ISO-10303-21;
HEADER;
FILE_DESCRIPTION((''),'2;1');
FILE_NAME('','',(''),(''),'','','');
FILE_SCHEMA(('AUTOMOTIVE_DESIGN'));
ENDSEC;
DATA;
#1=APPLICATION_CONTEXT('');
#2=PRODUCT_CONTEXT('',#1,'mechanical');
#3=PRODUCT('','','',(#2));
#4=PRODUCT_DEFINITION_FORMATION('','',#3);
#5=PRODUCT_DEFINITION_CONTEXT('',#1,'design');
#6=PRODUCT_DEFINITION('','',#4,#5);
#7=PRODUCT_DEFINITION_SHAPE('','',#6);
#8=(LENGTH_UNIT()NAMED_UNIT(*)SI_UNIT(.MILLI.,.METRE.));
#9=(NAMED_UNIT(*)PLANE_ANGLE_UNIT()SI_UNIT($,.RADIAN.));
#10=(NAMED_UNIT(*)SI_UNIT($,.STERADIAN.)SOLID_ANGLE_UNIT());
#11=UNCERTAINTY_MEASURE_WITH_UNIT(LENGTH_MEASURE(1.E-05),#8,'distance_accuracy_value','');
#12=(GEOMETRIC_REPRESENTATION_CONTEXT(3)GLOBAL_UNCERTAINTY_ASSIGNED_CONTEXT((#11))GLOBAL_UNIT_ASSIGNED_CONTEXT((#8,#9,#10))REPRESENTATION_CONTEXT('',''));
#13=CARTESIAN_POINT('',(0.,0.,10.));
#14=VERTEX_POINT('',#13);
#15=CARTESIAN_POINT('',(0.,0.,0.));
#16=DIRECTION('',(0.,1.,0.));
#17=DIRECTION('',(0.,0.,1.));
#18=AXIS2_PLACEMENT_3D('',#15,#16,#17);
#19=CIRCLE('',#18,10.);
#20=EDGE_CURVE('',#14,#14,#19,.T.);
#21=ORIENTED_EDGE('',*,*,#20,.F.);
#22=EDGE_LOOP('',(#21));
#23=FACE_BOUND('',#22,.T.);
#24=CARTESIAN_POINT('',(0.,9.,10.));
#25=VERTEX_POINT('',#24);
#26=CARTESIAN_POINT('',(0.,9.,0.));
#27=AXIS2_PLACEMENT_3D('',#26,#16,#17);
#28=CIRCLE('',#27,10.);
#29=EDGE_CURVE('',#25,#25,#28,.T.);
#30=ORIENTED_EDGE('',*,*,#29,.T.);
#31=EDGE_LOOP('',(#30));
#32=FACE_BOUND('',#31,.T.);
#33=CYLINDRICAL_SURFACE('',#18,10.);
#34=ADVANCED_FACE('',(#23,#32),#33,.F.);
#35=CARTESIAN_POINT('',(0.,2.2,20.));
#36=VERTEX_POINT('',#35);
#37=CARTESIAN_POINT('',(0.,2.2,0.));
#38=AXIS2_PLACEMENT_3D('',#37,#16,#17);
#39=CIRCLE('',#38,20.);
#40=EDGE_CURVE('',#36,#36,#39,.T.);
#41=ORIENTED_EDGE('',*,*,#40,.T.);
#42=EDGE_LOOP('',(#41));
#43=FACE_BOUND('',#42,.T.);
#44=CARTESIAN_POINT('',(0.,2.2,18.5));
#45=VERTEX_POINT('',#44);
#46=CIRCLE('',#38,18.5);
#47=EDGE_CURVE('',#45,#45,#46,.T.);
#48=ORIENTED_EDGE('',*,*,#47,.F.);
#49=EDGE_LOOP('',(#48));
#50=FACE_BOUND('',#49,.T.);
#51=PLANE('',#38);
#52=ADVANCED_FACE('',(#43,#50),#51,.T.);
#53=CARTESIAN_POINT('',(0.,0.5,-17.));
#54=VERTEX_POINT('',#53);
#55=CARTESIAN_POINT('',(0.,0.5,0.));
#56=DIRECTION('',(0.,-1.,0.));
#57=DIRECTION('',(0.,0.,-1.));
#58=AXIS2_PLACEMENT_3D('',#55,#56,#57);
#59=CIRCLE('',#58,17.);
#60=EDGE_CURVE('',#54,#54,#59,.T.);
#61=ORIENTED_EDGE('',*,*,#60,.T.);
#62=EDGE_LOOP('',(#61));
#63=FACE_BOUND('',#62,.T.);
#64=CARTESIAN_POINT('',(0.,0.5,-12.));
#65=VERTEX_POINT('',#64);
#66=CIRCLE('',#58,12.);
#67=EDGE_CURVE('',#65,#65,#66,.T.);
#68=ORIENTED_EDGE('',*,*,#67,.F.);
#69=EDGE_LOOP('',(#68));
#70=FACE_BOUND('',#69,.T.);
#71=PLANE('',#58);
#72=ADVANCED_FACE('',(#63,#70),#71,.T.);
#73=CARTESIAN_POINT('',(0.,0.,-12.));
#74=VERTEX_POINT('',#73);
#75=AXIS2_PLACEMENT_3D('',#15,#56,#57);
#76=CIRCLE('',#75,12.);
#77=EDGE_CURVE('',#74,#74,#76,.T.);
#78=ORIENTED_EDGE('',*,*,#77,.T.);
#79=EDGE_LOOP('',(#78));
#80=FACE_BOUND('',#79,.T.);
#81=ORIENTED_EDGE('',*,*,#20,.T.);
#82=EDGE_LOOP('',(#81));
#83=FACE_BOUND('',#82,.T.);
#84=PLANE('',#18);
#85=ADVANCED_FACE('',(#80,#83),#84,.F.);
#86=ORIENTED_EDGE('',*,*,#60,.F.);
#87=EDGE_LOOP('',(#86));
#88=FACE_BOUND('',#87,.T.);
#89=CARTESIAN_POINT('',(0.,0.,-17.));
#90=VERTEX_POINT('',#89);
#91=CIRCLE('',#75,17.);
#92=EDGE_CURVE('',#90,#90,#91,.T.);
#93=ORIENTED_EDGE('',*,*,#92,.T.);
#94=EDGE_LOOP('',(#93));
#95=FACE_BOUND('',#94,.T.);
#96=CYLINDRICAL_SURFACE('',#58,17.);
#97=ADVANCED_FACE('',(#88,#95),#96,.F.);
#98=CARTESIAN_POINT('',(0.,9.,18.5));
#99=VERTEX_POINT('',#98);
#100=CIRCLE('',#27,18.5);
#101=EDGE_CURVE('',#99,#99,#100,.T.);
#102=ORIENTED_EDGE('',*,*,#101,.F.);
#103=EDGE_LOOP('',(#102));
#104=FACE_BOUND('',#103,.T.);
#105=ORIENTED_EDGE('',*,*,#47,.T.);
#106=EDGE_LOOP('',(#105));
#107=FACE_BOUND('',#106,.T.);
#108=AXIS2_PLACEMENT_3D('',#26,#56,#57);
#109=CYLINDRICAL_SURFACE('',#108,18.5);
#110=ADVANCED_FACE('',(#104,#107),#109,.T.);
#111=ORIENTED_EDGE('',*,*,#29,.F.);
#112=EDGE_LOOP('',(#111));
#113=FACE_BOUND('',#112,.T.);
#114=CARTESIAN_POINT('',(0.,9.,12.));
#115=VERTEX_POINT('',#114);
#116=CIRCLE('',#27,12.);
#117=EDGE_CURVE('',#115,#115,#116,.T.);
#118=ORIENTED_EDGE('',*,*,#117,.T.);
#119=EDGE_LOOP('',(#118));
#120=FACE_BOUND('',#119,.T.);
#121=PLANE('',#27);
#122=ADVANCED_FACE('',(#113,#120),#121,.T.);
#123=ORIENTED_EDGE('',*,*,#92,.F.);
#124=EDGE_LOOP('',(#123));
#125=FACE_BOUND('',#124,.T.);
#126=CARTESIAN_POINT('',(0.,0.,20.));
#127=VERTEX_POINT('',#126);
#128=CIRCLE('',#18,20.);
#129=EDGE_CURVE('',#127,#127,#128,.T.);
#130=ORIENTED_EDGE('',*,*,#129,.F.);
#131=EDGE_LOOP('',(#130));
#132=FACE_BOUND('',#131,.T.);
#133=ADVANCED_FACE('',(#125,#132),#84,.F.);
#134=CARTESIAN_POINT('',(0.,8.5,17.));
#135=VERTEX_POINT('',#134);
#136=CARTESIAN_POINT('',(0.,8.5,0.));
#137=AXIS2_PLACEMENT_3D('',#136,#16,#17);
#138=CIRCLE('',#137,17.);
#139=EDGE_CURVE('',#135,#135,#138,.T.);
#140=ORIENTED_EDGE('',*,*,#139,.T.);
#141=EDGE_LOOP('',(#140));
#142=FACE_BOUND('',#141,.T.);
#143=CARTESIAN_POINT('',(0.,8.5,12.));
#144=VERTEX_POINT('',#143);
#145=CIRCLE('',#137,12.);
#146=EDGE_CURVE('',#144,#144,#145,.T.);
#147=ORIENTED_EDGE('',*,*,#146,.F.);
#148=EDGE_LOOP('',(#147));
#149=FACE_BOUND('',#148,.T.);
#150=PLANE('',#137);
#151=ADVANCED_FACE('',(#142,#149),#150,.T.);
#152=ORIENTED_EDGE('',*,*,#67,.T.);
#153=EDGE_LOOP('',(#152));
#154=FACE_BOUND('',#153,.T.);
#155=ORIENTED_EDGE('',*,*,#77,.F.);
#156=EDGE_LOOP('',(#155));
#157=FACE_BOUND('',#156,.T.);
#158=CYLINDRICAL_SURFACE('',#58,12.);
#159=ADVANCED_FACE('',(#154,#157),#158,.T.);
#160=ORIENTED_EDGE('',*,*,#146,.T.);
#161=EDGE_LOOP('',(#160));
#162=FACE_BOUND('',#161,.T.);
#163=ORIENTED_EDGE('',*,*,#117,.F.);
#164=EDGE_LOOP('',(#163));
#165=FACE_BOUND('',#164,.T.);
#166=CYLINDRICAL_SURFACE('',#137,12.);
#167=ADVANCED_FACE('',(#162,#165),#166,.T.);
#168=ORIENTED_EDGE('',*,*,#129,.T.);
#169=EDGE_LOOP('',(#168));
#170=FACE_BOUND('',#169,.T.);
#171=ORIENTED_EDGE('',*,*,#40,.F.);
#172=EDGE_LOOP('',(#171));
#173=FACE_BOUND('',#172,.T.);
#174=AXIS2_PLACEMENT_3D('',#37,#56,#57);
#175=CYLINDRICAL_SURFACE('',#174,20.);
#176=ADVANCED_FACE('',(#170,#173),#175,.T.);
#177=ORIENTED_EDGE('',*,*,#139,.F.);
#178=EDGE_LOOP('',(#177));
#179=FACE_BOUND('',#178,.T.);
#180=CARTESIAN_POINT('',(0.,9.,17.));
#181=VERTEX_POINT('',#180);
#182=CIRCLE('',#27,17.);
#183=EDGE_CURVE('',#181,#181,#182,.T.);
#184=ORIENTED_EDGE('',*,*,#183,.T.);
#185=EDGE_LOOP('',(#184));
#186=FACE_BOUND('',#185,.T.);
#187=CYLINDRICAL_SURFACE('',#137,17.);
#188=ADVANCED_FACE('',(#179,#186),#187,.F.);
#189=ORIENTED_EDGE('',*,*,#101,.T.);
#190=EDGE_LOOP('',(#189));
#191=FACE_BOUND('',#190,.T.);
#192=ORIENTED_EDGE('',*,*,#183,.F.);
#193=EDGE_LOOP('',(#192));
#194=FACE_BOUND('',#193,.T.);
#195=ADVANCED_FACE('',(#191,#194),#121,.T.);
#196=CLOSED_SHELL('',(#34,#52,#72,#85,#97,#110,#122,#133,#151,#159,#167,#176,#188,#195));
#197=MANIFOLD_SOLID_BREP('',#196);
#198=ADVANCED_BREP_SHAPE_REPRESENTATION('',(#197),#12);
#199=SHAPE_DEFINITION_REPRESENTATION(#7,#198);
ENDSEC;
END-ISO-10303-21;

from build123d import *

# Parameters (mm, degrees)
SKETCH_1_R          = 20
EXTRUDE_1_DEPTH     = 2.2
SKETCH_2_R          = 18.5
EXTRUDE_2_DEPTH     = 6.8
SKETCH_3_R          = 10
CUT_EXTRUDE_1_DEPTH = 9
SKETCH_4_R          = 17
SKETCH_4_R_2        = 12
CUT_EXTRUDE_2_DEPTH = 0.5
CUT_EXTRUDE_START   = -0.5
SKETCH_5_R          = 17
SKETCH_5_R_2        = 12
CUT_EXTRUDE_3_DEPTH = 0.5


with BuildPart() as part:
    # 草图1 → 凸台-拉伸1 (new body)
    with BuildSketch(Plane(origin=(0, 0, 0), x_dir=(1, 0, 0), z_dir=(0, 1, 0))):
        with Locations(Location((0, 0, 0), (0, 0, 270))):
            Circle(SKETCH_1_R)
    extrude(amount=EXTRUDE_1_DEPTH)

    # 草图2 → 凸台-拉伸2 (add)
    with BuildSketch(Plane(origin=(0, 2.2, 0), x_dir=(1, 0, 0), z_dir=(0, 1, 0))):
        with Locations(Location((0, 0, 0), (0, 0, 270))):
            Circle(SKETCH_2_R)
    extrude(amount=EXTRUDE_2_DEPTH)

    # 草图3 → 切除-拉伸1 (cut)
    with BuildSketch(Plane(origin=(0, 9, 0), x_dir=(1, 0, 0), z_dir=(0, 1, 0))):
        with Locations(Location((0, 0, 0), (0, 0, 270))):
            Circle(SKETCH_3_R)
    extrude(amount=-CUT_EXTRUDE_1_DEPTH, mode=Mode.SUBTRACT)

    # 草图4 → 切除-拉伸2 (cut)
    with BuildSketch(Plane.XZ):
        with Locations(Location((0, 0, 0), (0, 0, 270))):
            Circle(SKETCH_4_R)
        with Locations(Location((0, 0, 0), (0, 0, 270))):
            Circle(SKETCH_4_R_2, mode=Mode.SUBTRACT)
    extrude(amount=-CUT_EXTRUDE_2_DEPTH, mode=Mode.SUBTRACT)

    # 草图5 → 切除-拉伸3 (cut)
    with BuildSketch(Plane(origin=(0, 9, 0), x_dir=(1, 0, 0), z_dir=(0, 1, 0)).offset(CUT_EXTRUDE_START)):
        with Locations(Location((0, 0, 0), (0, 0, 90))):
            Circle(SKETCH_5_R)
        with Locations(Location((0, 0, 0), (0, 0, 90))):
            Circle(SKETCH_5_R_2, mode=Mode.SUBTRACT)
    extrude(amount=CUT_EXTRUDE_3_DEPTH, mode=Mode.SUBTRACT)


solid = part.part
